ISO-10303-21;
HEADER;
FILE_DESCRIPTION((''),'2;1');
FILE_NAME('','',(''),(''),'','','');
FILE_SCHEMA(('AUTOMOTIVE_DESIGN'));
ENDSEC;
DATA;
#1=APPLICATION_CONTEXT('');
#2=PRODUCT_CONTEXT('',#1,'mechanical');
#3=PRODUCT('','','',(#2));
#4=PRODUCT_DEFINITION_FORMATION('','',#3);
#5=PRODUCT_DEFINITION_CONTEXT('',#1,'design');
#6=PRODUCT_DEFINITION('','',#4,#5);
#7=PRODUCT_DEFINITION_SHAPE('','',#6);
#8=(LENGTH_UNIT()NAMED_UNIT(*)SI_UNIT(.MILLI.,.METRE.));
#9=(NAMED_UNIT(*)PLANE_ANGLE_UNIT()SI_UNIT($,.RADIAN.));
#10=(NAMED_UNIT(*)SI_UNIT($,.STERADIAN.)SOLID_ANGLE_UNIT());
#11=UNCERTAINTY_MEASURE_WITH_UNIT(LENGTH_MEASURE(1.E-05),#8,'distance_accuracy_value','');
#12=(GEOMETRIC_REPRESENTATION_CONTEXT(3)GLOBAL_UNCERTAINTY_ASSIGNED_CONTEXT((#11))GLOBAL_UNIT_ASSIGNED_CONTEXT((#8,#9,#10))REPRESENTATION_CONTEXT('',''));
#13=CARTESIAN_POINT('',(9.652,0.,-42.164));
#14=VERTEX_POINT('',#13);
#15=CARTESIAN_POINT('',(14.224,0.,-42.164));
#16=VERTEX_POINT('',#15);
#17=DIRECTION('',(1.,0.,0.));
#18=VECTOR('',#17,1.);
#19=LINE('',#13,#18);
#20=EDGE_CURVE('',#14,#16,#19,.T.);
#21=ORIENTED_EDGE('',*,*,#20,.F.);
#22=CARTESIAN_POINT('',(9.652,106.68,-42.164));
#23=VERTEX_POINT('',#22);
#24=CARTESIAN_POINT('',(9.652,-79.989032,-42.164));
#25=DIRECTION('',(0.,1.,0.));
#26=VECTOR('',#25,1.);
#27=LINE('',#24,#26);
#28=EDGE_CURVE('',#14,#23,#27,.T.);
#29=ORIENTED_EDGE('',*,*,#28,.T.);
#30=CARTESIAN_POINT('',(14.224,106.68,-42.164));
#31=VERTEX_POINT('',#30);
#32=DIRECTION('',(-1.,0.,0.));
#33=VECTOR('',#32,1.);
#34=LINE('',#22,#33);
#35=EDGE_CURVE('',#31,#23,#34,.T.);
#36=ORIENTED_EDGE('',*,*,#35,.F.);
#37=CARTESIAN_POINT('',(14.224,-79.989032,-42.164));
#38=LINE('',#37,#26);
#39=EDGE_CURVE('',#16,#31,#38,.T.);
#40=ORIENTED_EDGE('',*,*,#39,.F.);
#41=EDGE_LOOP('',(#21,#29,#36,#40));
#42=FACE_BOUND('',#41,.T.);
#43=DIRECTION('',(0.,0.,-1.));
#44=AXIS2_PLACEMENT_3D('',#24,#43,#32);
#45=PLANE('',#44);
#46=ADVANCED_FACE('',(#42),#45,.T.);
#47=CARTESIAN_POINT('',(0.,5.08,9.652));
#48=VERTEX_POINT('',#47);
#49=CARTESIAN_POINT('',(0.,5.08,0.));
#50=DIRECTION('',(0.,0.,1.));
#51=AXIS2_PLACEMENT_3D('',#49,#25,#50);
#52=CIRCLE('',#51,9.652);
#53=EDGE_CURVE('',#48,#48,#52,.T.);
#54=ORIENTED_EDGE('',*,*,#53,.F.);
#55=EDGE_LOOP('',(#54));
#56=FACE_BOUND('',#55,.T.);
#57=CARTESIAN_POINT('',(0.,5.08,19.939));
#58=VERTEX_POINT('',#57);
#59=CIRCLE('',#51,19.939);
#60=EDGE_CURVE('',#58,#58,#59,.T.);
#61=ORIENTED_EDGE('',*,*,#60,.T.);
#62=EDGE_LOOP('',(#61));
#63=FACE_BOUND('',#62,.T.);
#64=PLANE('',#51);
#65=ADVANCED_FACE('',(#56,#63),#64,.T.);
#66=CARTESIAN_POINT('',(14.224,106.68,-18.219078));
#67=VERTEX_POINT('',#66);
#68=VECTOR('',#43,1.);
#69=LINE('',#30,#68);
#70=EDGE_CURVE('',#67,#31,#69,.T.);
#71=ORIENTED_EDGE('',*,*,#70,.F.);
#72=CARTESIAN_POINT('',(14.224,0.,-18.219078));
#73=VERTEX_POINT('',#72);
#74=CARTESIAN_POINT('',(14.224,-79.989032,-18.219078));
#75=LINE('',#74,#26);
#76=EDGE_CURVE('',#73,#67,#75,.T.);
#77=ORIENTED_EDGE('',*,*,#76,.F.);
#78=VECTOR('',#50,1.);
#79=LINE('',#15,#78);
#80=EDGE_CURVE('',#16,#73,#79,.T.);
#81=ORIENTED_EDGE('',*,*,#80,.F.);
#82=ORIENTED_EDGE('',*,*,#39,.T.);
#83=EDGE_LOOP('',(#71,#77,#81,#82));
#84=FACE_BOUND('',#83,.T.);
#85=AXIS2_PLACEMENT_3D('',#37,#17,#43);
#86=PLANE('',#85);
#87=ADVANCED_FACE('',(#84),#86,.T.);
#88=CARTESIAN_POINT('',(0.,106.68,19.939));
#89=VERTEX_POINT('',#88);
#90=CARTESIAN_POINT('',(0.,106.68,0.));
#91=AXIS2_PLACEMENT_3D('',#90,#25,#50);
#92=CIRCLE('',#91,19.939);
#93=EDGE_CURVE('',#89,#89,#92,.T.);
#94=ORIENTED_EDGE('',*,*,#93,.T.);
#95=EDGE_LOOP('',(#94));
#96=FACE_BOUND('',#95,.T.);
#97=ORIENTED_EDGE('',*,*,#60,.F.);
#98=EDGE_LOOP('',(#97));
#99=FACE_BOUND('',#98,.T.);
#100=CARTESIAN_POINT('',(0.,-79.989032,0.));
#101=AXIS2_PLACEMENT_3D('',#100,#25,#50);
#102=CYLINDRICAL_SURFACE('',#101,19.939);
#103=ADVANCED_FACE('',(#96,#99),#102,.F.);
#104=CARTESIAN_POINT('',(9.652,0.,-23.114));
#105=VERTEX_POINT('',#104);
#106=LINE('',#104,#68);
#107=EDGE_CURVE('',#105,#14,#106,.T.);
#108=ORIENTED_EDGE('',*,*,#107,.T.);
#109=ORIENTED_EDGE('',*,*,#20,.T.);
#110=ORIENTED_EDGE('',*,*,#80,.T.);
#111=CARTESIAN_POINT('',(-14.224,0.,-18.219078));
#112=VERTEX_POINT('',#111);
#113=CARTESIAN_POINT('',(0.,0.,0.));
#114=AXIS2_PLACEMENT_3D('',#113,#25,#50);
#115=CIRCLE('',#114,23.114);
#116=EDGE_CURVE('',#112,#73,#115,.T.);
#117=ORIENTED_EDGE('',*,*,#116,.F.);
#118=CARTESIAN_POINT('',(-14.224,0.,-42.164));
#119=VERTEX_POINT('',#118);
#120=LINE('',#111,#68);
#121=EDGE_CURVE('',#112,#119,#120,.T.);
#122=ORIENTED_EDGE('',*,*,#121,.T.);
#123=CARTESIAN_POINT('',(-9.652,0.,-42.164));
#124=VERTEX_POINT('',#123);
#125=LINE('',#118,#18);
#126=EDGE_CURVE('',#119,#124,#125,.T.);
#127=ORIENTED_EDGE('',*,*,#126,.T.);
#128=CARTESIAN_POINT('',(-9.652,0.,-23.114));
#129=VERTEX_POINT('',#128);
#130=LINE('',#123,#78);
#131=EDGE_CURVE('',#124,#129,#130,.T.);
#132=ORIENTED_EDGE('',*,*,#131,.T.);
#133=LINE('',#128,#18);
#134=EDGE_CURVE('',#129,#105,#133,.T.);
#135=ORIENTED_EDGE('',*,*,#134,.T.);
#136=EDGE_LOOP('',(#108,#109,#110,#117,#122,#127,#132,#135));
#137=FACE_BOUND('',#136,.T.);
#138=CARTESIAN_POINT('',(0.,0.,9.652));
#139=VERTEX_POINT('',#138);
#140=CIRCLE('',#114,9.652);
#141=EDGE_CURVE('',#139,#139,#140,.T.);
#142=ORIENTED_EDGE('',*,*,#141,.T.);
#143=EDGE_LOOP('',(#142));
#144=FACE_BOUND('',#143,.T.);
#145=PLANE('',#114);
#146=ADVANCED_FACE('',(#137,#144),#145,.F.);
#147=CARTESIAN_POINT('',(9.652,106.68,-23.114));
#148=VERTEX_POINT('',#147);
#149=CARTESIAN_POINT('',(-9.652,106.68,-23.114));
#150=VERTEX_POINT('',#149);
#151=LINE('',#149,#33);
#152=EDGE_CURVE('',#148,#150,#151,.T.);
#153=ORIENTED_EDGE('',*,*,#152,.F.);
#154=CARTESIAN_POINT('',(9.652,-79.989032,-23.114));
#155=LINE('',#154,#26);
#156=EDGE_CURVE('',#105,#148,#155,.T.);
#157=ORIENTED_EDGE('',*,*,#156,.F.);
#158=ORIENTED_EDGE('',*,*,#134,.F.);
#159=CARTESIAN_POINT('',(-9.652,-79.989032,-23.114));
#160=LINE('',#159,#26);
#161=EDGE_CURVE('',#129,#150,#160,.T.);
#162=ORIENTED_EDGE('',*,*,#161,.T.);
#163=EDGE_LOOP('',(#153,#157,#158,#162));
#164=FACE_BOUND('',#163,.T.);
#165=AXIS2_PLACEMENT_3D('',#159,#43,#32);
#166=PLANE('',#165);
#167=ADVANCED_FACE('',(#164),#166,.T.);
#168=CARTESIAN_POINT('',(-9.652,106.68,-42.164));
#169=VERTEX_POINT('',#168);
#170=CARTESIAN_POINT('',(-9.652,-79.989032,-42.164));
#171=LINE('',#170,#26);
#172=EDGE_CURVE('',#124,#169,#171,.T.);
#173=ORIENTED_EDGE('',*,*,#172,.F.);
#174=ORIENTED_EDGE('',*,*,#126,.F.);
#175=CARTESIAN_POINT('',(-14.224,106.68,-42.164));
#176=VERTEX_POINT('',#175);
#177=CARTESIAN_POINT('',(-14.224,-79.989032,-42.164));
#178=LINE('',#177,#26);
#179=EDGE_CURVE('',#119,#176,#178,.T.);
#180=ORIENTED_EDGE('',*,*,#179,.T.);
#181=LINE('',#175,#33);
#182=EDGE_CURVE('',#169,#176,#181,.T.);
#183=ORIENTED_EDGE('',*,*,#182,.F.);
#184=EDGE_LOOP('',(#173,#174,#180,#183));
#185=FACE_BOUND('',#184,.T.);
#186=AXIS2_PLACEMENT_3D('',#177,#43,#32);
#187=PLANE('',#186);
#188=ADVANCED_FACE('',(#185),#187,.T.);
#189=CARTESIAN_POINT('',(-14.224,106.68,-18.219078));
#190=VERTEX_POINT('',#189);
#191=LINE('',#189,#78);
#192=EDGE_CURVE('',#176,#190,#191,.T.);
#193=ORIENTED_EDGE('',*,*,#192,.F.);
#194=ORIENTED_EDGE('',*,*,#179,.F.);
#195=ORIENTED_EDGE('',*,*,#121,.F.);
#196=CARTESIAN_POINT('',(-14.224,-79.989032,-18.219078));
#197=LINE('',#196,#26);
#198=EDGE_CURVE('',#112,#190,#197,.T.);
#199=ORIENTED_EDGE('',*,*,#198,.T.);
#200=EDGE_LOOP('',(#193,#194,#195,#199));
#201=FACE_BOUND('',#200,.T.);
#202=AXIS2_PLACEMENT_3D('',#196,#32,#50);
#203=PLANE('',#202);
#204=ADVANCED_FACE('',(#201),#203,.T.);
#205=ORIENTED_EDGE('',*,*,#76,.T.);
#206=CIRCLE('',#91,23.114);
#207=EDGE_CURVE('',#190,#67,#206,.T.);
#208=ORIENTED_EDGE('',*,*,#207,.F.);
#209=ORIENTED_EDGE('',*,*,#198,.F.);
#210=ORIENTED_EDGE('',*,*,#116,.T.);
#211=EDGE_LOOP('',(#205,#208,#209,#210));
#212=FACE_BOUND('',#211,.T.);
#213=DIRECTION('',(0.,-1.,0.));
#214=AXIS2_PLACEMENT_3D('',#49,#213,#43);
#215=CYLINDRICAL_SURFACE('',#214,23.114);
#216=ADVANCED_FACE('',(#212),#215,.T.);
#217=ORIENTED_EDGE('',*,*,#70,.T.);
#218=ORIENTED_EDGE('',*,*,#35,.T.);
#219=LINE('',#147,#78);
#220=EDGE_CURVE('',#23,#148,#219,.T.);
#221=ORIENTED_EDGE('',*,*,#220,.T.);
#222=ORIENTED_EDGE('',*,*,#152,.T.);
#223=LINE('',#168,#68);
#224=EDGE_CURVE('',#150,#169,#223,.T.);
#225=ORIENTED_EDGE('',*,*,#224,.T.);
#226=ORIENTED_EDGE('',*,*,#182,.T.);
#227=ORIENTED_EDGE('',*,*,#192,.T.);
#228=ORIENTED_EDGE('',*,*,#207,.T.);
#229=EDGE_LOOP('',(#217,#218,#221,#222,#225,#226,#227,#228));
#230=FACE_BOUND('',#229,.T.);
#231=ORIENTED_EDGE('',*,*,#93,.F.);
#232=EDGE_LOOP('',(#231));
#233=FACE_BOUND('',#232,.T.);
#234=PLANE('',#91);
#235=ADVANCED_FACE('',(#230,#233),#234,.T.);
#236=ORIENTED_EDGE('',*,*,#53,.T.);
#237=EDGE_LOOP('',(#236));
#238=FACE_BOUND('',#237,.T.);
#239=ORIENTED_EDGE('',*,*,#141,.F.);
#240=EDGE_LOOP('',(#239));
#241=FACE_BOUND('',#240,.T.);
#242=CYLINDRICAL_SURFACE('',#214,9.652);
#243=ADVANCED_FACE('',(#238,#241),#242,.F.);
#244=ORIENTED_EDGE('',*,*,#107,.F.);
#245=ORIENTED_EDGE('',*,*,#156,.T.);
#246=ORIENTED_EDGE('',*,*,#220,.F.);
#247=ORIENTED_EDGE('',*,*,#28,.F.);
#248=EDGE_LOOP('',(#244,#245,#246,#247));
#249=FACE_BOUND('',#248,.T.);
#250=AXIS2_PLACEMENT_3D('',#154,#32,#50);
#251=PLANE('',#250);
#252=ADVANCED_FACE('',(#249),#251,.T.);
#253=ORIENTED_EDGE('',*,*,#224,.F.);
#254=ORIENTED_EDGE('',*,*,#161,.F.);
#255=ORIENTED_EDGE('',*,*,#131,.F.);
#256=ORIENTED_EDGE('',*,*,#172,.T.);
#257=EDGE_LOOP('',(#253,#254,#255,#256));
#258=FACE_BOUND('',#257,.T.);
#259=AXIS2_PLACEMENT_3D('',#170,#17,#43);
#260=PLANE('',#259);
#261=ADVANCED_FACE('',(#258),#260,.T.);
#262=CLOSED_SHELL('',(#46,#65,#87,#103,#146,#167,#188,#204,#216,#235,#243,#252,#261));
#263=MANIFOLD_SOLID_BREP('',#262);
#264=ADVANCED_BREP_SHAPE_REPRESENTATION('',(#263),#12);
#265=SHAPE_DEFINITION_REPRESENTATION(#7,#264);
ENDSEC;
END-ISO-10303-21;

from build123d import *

# Parameters (mm, degrees)
SKETCH1_R                       = 23.114
SKETCH1_R_2                     = 9.652
BOSS_EXTRUDE1_DEPTH             = 5.08
SKETCH2_R                       = 19.939
BOSS_EXTRUDE2_DEPTH             = 101.6
BOSS_EXTRUDE2_DIRECTION_2_REACH = 35.081


with BuildPart() as part:
    # Sketch1 → Boss-Extrude1 (new body)
    with BuildSketch(Plane(origin=(0, 0, 0), x_dir=(1, 0, 0), z_dir=(0, 1, 0))):
        with Locations(Location((0, 0, 0), (0, 0, 270))):
            Circle(SKETCH1_R)
        with Locations(Location((0, 0, 0), (0, 0, 270))):
            Circle(SKETCH1_R_2, mode=Mode.SUBTRACT)
    extrude(amount=BOSS_EXTRUDE1_DEPTH)

    # Sketch2 → Boss-Extrude2 (add)
    with BuildSketch(Plane(origin=(0, 5.08, 0), x_dir=(1, 0, 0), z_dir=(0, 1, 0))):
        with BuildLine():
            Line((-14.224, 18.219078462), (-14.224, 42.164))
            Line((-14.224, 42.164), (-9.652, 42.164))
            Line((-9.652, 42.164), (-9.652, 23.114))
            Line((-9.652, 23.114), (9.652, 23.114))
            Line((9.652, 23.114), (9.652, 42.164))
            Line((9.652, 42.164), (14.224, 42.164))
            Line((14.224, 42.164), (14.224, 18.219078462))
            ThreePointArc((14.224, 18.219078462), (0, -23.114), (-14.224, 18.219078462))
        make_face()
        with Locations(Location((0, 0, 0), (0, 0, 270))):
            Circle(SKETCH2_R, mode=Mode.SUBTRACT)
    extrude(amount=BOSS_EXTRUDE2_DEPTH)

    # Boss-Extrude2 direction 2: up to this face of the body (flat: up to its plane)
    boss_extrude2_direction_2_end = Plane(part.part.faces().sort_by_distance((0, 0, -22.460237354))[0])
    # Sketch2 → Boss-Extrude2 direction 2 (add, up to the picked face)
    with BuildSketch(Plane(origin=(0, 5.08, 0), x_dir=(1, 0, 0), z_dir=(0, 1, 0)), mode=Mode.PRIVATE) as boss_extrude2_direction_2_sk1:
        with BuildLine():
            Line((-14.224, 18.219078462), (-14.224, 42.164))
            Line((-14.224, 42.164), (-9.652, 42.164))
            Line((-9.652, 42.164), (-9.652, 23.114))
            Line((-9.652, 23.114), (9.652, 23.114))
            Line((9.652, 23.114), (9.652, 42.164))
            Line((9.652, 42.164), (14.224, 42.164))
            Line((14.224, 42.164), (14.224, 18.219078462))
            ThreePointArc((14.224, 18.219078462), (0, -23.114), (-14.224, 18.219078462))
        make_face()
        with Locations(Location((0, 0, 0), (0, 0, 270))):
            Circle(SKETCH2_R, mode=Mode.SUBTRACT)
    boss_extrude2_direction_2_tool1 = split(extrude(boss_extrude2_direction_2_sk1.sketch, amount=-BOSS_EXTRUDE2_DIRECTION_2_REACH, mode=Mode.PRIVATE), bisect_by=boss_extrude2_direction_2_end, keep=Keep.BOTH, mode=Mode.PRIVATE)
    add(boss_extrude2_direction_2_tool1.solids().sort_by(Axis((-13.42411, 5.08, -30.191539), (0, -1, 0)))[0])


solid = part.part
